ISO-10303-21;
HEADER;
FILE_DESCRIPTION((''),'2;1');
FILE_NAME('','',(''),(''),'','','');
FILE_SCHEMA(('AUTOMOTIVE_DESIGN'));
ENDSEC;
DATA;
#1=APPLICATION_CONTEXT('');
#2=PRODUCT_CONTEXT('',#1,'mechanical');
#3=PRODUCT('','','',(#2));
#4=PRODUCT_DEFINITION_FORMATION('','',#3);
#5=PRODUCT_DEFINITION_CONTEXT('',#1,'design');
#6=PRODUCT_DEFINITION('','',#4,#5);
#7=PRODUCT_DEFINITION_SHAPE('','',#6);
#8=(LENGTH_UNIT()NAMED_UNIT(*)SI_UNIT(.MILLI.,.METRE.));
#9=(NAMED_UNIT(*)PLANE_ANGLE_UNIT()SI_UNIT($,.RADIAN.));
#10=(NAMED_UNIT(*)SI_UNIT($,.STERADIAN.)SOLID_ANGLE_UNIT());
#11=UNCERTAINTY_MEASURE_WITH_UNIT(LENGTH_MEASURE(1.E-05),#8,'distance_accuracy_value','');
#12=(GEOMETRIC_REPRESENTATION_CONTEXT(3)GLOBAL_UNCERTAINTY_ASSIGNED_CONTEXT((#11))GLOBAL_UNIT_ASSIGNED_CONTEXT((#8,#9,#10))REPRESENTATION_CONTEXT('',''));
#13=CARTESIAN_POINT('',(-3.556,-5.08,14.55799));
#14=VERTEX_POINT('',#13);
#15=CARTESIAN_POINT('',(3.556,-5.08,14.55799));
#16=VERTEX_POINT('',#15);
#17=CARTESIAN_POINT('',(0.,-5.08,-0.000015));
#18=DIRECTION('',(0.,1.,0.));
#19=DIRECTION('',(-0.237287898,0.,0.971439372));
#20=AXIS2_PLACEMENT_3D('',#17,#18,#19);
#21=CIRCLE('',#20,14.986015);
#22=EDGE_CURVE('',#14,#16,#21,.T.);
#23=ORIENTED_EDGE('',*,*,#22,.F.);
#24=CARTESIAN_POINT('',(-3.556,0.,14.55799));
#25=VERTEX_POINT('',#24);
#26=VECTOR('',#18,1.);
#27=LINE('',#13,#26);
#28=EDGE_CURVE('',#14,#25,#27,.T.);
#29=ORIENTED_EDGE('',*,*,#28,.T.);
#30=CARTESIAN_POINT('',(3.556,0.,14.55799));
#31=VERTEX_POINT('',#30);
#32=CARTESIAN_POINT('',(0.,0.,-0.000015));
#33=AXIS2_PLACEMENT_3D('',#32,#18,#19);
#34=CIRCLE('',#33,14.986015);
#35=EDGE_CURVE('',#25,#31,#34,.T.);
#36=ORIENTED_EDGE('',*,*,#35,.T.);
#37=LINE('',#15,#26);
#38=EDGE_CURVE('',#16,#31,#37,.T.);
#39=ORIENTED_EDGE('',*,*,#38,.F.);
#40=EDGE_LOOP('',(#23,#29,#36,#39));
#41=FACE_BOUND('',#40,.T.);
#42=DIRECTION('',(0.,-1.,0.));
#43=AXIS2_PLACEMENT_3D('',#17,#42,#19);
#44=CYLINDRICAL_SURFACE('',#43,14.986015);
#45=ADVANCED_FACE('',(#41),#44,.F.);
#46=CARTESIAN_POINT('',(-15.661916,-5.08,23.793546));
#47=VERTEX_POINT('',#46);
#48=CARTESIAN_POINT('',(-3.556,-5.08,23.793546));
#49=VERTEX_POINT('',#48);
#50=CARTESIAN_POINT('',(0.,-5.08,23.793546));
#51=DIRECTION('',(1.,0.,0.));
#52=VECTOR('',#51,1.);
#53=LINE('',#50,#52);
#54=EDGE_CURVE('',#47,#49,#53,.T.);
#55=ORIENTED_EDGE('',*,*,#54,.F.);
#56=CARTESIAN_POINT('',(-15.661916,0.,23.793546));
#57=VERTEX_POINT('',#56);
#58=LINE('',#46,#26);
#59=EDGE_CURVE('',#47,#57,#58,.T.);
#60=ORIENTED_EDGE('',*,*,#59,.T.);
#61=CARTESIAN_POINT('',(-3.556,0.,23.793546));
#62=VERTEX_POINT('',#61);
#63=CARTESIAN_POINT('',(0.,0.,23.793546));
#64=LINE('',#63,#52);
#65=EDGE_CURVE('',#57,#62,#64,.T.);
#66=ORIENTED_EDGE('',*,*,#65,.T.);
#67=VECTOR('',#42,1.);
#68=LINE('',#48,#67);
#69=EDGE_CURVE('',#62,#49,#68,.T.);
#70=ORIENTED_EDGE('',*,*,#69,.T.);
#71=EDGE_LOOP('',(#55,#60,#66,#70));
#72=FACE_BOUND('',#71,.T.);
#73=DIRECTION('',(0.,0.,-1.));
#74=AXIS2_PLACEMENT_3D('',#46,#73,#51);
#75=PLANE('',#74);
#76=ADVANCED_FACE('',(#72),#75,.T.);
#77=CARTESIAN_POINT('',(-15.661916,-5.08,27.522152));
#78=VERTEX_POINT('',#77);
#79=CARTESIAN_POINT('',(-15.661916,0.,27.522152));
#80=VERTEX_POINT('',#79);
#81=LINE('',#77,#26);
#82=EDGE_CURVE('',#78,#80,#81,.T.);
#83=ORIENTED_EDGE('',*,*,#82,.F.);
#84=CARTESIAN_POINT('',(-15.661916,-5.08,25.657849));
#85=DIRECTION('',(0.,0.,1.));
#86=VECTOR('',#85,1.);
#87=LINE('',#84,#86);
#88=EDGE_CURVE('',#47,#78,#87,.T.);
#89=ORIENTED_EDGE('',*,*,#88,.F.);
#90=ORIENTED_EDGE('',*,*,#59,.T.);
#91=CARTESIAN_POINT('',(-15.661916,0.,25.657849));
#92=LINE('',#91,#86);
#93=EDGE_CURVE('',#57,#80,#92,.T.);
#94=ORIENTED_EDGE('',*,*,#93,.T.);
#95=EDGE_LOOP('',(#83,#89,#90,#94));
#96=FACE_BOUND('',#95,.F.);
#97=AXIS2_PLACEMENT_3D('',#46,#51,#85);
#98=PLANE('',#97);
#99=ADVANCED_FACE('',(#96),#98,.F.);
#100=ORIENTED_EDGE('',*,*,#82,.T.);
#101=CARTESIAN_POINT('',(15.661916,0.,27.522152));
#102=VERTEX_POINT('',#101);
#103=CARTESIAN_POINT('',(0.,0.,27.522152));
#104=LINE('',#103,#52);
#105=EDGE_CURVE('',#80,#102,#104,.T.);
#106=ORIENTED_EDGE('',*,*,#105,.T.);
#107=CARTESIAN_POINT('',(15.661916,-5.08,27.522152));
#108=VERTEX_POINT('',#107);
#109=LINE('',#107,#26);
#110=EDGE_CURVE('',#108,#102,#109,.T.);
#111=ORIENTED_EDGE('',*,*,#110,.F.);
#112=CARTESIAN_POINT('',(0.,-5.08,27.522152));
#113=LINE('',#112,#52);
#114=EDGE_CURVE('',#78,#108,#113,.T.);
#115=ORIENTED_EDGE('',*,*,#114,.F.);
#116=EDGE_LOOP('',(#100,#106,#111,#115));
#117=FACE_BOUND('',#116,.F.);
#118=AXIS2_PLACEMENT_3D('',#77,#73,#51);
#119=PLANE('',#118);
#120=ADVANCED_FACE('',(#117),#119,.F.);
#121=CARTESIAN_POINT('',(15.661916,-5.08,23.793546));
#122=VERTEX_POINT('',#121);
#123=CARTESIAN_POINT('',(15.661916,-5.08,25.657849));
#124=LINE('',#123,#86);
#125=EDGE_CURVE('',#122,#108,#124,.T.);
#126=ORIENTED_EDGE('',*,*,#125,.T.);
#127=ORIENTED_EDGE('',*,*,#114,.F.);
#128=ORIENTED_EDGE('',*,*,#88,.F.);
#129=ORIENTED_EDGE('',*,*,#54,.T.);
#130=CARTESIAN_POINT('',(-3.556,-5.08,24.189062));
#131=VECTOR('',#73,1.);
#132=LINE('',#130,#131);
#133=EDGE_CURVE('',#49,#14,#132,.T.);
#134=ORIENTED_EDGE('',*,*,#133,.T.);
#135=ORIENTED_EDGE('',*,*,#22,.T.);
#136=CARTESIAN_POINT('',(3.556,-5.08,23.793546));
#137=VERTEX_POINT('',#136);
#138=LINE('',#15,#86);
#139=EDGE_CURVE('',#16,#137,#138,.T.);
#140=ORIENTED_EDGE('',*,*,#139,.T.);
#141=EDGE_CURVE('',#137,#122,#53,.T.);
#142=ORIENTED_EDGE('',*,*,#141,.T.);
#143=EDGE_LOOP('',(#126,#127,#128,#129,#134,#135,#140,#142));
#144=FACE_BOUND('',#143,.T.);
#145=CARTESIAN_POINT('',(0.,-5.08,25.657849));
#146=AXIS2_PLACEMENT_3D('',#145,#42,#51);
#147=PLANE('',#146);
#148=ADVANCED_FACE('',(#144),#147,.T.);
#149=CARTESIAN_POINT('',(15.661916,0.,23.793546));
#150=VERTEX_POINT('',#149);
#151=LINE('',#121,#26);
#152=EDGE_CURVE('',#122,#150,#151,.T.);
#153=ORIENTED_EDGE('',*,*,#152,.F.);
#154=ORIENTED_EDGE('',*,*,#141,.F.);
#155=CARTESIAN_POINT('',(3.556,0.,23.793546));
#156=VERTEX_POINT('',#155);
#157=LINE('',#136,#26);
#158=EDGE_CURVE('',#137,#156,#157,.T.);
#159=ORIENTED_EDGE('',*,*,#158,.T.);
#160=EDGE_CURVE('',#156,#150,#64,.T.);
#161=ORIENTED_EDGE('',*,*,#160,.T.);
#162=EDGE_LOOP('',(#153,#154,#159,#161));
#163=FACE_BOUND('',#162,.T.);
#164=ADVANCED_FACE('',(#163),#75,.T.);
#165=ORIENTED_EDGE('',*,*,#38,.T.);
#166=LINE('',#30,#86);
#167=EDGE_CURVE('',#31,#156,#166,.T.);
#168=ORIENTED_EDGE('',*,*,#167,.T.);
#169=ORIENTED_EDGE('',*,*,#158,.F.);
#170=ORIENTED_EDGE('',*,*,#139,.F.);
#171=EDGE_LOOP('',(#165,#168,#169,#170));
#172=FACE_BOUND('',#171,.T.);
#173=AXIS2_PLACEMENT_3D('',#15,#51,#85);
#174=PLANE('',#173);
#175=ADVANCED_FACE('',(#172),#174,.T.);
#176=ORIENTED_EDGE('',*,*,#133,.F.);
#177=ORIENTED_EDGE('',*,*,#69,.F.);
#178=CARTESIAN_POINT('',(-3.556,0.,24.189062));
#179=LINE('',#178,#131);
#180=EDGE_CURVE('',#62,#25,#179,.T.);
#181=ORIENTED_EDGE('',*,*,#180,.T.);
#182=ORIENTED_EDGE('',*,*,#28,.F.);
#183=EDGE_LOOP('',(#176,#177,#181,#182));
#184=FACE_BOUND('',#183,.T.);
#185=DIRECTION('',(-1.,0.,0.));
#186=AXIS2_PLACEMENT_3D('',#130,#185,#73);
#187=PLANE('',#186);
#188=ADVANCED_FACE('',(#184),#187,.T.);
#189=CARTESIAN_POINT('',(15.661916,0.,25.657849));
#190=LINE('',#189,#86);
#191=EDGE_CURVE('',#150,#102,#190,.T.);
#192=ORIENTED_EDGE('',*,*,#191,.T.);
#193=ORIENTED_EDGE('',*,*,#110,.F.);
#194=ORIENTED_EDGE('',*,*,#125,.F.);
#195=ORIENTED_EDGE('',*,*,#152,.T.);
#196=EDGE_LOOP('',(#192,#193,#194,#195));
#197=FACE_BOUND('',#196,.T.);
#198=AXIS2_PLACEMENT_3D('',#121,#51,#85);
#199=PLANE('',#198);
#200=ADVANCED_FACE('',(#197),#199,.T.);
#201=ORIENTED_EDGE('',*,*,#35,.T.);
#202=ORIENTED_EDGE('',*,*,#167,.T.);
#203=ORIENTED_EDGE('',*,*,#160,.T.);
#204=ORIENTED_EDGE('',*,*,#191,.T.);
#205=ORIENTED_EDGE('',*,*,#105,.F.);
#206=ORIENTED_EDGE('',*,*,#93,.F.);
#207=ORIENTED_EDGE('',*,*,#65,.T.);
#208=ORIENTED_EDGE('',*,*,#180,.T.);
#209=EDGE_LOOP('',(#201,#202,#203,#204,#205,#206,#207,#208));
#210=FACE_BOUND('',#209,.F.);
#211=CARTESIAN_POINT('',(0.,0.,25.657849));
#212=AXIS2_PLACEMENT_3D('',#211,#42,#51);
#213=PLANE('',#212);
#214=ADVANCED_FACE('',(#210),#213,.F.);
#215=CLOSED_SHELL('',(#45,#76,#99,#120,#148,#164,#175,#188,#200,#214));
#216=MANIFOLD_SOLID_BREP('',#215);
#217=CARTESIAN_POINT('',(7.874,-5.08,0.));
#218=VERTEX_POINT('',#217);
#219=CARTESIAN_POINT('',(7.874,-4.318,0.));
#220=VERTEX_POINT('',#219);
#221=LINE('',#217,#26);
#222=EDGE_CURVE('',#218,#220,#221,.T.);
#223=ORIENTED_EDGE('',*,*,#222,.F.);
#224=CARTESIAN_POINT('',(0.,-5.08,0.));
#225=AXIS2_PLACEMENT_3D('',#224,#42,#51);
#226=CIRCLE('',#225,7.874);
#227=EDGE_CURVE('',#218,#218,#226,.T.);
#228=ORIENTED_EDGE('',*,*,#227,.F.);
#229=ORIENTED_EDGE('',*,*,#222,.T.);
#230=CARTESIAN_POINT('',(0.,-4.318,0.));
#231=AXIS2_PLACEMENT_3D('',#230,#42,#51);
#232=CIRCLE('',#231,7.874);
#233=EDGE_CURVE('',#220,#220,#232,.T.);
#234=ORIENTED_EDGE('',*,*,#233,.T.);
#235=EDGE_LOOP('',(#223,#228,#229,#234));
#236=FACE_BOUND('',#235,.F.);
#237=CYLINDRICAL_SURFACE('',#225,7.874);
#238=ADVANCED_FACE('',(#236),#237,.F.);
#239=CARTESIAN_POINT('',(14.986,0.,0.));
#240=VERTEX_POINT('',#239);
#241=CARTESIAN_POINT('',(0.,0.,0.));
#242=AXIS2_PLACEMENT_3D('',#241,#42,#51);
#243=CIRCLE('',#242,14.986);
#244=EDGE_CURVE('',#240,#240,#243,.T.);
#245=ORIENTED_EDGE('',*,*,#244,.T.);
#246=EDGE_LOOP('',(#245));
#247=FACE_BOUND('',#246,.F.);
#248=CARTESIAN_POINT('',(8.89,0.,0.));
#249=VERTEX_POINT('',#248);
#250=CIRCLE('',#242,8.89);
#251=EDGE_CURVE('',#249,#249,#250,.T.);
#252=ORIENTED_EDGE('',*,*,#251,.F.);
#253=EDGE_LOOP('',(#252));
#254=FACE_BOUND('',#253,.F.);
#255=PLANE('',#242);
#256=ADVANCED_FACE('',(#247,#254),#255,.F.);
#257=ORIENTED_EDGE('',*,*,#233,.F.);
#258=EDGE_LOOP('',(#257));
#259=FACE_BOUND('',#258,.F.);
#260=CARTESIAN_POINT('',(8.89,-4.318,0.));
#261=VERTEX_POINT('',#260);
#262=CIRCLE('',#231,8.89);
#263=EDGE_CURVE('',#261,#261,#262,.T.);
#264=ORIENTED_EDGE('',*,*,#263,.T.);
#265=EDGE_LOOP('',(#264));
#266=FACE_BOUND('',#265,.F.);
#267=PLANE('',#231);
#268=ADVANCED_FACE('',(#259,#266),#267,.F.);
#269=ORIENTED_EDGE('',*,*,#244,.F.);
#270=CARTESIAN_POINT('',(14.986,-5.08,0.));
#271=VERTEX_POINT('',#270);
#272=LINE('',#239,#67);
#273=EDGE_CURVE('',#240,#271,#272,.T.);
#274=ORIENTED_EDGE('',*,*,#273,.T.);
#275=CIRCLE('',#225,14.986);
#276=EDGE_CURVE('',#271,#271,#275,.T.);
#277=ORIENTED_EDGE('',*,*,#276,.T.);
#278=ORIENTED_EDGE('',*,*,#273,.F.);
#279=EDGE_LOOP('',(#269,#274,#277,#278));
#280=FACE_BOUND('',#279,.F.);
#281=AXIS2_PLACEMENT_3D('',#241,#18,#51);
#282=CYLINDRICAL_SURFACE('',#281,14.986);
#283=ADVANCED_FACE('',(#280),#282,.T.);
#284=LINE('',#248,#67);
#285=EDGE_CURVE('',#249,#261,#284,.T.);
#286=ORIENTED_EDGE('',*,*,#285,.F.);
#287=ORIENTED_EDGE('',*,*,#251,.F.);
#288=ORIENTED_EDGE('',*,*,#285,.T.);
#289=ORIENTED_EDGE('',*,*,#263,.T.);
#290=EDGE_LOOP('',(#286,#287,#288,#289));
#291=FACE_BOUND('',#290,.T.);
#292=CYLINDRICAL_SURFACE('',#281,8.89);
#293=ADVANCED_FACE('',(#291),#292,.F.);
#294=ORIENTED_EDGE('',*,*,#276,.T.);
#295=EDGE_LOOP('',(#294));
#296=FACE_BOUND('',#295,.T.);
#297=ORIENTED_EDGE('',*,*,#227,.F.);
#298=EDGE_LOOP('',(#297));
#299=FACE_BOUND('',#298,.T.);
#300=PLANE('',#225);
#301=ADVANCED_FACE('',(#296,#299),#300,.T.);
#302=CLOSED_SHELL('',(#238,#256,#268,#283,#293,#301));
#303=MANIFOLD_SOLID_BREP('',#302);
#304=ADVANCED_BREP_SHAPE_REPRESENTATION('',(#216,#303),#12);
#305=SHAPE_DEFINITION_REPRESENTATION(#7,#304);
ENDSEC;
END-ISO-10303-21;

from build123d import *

# Parameters (mm, degrees)
F0_R     = 14.986
F1_DEPTH = 5.08
F2_R     = 7.874
F3_DEPTH = 5.081
F4_R     = 8.89
F5_DEPTH = 4.318
F7_DEPTH = 5.08
F8_W     = 31.323832
F8_H     = 3.728606
F9_DEPTH = 5.08


with BuildPart() as f1:
    # F0 (on Front) → F1 (new body)
    with BuildSketch(Plane.XZ):
        Circle(F0_R)
    extrude(amount=F1_DEPTH)

    # F2 (on face) → F3 (cut, through all)
    with BuildSketch(Plane.XZ.offset(5.08)):
        Circle(F2_R)
    extrude(amount=-F3_DEPTH, mode=Mode.SUBTRACT)

    # F4 (on Front) → F5 (cut)
    with BuildSketch(Plane.XZ):
        Circle(F4_R)
    extrude(amount=F5_DEPTH, mode=Mode.SUBTRACT)


with BuildPart() as f7:
    # F6 (on face) → F7 (new body)
    with BuildSketch(Plane.XZ.offset(5.08)):
        with BuildLine():
            ThreePointArc((-3.556, 14.55799), (0, 14.986), (3.556, 14.55799))
            Line((3.556, 14.55799), (3.556, 24.189062))
            Line((3.556, 24.189062), (-3.556, 24.189062))
            Line((-3.556, 24.189062), (-3.556, 14.55799))
        make_face()
    extrude(amount=-F7_DEPTH)

    # F8 (on face) → F9 (join)
    with BuildSketch(Plane.XZ.offset(5.08)):
        with Locations((0, 25.657849)):
            Rectangle(F8_W, F8_H)
    extrude(amount=-F9_DEPTH)


solid = Compound([f1.part, f7.part])
